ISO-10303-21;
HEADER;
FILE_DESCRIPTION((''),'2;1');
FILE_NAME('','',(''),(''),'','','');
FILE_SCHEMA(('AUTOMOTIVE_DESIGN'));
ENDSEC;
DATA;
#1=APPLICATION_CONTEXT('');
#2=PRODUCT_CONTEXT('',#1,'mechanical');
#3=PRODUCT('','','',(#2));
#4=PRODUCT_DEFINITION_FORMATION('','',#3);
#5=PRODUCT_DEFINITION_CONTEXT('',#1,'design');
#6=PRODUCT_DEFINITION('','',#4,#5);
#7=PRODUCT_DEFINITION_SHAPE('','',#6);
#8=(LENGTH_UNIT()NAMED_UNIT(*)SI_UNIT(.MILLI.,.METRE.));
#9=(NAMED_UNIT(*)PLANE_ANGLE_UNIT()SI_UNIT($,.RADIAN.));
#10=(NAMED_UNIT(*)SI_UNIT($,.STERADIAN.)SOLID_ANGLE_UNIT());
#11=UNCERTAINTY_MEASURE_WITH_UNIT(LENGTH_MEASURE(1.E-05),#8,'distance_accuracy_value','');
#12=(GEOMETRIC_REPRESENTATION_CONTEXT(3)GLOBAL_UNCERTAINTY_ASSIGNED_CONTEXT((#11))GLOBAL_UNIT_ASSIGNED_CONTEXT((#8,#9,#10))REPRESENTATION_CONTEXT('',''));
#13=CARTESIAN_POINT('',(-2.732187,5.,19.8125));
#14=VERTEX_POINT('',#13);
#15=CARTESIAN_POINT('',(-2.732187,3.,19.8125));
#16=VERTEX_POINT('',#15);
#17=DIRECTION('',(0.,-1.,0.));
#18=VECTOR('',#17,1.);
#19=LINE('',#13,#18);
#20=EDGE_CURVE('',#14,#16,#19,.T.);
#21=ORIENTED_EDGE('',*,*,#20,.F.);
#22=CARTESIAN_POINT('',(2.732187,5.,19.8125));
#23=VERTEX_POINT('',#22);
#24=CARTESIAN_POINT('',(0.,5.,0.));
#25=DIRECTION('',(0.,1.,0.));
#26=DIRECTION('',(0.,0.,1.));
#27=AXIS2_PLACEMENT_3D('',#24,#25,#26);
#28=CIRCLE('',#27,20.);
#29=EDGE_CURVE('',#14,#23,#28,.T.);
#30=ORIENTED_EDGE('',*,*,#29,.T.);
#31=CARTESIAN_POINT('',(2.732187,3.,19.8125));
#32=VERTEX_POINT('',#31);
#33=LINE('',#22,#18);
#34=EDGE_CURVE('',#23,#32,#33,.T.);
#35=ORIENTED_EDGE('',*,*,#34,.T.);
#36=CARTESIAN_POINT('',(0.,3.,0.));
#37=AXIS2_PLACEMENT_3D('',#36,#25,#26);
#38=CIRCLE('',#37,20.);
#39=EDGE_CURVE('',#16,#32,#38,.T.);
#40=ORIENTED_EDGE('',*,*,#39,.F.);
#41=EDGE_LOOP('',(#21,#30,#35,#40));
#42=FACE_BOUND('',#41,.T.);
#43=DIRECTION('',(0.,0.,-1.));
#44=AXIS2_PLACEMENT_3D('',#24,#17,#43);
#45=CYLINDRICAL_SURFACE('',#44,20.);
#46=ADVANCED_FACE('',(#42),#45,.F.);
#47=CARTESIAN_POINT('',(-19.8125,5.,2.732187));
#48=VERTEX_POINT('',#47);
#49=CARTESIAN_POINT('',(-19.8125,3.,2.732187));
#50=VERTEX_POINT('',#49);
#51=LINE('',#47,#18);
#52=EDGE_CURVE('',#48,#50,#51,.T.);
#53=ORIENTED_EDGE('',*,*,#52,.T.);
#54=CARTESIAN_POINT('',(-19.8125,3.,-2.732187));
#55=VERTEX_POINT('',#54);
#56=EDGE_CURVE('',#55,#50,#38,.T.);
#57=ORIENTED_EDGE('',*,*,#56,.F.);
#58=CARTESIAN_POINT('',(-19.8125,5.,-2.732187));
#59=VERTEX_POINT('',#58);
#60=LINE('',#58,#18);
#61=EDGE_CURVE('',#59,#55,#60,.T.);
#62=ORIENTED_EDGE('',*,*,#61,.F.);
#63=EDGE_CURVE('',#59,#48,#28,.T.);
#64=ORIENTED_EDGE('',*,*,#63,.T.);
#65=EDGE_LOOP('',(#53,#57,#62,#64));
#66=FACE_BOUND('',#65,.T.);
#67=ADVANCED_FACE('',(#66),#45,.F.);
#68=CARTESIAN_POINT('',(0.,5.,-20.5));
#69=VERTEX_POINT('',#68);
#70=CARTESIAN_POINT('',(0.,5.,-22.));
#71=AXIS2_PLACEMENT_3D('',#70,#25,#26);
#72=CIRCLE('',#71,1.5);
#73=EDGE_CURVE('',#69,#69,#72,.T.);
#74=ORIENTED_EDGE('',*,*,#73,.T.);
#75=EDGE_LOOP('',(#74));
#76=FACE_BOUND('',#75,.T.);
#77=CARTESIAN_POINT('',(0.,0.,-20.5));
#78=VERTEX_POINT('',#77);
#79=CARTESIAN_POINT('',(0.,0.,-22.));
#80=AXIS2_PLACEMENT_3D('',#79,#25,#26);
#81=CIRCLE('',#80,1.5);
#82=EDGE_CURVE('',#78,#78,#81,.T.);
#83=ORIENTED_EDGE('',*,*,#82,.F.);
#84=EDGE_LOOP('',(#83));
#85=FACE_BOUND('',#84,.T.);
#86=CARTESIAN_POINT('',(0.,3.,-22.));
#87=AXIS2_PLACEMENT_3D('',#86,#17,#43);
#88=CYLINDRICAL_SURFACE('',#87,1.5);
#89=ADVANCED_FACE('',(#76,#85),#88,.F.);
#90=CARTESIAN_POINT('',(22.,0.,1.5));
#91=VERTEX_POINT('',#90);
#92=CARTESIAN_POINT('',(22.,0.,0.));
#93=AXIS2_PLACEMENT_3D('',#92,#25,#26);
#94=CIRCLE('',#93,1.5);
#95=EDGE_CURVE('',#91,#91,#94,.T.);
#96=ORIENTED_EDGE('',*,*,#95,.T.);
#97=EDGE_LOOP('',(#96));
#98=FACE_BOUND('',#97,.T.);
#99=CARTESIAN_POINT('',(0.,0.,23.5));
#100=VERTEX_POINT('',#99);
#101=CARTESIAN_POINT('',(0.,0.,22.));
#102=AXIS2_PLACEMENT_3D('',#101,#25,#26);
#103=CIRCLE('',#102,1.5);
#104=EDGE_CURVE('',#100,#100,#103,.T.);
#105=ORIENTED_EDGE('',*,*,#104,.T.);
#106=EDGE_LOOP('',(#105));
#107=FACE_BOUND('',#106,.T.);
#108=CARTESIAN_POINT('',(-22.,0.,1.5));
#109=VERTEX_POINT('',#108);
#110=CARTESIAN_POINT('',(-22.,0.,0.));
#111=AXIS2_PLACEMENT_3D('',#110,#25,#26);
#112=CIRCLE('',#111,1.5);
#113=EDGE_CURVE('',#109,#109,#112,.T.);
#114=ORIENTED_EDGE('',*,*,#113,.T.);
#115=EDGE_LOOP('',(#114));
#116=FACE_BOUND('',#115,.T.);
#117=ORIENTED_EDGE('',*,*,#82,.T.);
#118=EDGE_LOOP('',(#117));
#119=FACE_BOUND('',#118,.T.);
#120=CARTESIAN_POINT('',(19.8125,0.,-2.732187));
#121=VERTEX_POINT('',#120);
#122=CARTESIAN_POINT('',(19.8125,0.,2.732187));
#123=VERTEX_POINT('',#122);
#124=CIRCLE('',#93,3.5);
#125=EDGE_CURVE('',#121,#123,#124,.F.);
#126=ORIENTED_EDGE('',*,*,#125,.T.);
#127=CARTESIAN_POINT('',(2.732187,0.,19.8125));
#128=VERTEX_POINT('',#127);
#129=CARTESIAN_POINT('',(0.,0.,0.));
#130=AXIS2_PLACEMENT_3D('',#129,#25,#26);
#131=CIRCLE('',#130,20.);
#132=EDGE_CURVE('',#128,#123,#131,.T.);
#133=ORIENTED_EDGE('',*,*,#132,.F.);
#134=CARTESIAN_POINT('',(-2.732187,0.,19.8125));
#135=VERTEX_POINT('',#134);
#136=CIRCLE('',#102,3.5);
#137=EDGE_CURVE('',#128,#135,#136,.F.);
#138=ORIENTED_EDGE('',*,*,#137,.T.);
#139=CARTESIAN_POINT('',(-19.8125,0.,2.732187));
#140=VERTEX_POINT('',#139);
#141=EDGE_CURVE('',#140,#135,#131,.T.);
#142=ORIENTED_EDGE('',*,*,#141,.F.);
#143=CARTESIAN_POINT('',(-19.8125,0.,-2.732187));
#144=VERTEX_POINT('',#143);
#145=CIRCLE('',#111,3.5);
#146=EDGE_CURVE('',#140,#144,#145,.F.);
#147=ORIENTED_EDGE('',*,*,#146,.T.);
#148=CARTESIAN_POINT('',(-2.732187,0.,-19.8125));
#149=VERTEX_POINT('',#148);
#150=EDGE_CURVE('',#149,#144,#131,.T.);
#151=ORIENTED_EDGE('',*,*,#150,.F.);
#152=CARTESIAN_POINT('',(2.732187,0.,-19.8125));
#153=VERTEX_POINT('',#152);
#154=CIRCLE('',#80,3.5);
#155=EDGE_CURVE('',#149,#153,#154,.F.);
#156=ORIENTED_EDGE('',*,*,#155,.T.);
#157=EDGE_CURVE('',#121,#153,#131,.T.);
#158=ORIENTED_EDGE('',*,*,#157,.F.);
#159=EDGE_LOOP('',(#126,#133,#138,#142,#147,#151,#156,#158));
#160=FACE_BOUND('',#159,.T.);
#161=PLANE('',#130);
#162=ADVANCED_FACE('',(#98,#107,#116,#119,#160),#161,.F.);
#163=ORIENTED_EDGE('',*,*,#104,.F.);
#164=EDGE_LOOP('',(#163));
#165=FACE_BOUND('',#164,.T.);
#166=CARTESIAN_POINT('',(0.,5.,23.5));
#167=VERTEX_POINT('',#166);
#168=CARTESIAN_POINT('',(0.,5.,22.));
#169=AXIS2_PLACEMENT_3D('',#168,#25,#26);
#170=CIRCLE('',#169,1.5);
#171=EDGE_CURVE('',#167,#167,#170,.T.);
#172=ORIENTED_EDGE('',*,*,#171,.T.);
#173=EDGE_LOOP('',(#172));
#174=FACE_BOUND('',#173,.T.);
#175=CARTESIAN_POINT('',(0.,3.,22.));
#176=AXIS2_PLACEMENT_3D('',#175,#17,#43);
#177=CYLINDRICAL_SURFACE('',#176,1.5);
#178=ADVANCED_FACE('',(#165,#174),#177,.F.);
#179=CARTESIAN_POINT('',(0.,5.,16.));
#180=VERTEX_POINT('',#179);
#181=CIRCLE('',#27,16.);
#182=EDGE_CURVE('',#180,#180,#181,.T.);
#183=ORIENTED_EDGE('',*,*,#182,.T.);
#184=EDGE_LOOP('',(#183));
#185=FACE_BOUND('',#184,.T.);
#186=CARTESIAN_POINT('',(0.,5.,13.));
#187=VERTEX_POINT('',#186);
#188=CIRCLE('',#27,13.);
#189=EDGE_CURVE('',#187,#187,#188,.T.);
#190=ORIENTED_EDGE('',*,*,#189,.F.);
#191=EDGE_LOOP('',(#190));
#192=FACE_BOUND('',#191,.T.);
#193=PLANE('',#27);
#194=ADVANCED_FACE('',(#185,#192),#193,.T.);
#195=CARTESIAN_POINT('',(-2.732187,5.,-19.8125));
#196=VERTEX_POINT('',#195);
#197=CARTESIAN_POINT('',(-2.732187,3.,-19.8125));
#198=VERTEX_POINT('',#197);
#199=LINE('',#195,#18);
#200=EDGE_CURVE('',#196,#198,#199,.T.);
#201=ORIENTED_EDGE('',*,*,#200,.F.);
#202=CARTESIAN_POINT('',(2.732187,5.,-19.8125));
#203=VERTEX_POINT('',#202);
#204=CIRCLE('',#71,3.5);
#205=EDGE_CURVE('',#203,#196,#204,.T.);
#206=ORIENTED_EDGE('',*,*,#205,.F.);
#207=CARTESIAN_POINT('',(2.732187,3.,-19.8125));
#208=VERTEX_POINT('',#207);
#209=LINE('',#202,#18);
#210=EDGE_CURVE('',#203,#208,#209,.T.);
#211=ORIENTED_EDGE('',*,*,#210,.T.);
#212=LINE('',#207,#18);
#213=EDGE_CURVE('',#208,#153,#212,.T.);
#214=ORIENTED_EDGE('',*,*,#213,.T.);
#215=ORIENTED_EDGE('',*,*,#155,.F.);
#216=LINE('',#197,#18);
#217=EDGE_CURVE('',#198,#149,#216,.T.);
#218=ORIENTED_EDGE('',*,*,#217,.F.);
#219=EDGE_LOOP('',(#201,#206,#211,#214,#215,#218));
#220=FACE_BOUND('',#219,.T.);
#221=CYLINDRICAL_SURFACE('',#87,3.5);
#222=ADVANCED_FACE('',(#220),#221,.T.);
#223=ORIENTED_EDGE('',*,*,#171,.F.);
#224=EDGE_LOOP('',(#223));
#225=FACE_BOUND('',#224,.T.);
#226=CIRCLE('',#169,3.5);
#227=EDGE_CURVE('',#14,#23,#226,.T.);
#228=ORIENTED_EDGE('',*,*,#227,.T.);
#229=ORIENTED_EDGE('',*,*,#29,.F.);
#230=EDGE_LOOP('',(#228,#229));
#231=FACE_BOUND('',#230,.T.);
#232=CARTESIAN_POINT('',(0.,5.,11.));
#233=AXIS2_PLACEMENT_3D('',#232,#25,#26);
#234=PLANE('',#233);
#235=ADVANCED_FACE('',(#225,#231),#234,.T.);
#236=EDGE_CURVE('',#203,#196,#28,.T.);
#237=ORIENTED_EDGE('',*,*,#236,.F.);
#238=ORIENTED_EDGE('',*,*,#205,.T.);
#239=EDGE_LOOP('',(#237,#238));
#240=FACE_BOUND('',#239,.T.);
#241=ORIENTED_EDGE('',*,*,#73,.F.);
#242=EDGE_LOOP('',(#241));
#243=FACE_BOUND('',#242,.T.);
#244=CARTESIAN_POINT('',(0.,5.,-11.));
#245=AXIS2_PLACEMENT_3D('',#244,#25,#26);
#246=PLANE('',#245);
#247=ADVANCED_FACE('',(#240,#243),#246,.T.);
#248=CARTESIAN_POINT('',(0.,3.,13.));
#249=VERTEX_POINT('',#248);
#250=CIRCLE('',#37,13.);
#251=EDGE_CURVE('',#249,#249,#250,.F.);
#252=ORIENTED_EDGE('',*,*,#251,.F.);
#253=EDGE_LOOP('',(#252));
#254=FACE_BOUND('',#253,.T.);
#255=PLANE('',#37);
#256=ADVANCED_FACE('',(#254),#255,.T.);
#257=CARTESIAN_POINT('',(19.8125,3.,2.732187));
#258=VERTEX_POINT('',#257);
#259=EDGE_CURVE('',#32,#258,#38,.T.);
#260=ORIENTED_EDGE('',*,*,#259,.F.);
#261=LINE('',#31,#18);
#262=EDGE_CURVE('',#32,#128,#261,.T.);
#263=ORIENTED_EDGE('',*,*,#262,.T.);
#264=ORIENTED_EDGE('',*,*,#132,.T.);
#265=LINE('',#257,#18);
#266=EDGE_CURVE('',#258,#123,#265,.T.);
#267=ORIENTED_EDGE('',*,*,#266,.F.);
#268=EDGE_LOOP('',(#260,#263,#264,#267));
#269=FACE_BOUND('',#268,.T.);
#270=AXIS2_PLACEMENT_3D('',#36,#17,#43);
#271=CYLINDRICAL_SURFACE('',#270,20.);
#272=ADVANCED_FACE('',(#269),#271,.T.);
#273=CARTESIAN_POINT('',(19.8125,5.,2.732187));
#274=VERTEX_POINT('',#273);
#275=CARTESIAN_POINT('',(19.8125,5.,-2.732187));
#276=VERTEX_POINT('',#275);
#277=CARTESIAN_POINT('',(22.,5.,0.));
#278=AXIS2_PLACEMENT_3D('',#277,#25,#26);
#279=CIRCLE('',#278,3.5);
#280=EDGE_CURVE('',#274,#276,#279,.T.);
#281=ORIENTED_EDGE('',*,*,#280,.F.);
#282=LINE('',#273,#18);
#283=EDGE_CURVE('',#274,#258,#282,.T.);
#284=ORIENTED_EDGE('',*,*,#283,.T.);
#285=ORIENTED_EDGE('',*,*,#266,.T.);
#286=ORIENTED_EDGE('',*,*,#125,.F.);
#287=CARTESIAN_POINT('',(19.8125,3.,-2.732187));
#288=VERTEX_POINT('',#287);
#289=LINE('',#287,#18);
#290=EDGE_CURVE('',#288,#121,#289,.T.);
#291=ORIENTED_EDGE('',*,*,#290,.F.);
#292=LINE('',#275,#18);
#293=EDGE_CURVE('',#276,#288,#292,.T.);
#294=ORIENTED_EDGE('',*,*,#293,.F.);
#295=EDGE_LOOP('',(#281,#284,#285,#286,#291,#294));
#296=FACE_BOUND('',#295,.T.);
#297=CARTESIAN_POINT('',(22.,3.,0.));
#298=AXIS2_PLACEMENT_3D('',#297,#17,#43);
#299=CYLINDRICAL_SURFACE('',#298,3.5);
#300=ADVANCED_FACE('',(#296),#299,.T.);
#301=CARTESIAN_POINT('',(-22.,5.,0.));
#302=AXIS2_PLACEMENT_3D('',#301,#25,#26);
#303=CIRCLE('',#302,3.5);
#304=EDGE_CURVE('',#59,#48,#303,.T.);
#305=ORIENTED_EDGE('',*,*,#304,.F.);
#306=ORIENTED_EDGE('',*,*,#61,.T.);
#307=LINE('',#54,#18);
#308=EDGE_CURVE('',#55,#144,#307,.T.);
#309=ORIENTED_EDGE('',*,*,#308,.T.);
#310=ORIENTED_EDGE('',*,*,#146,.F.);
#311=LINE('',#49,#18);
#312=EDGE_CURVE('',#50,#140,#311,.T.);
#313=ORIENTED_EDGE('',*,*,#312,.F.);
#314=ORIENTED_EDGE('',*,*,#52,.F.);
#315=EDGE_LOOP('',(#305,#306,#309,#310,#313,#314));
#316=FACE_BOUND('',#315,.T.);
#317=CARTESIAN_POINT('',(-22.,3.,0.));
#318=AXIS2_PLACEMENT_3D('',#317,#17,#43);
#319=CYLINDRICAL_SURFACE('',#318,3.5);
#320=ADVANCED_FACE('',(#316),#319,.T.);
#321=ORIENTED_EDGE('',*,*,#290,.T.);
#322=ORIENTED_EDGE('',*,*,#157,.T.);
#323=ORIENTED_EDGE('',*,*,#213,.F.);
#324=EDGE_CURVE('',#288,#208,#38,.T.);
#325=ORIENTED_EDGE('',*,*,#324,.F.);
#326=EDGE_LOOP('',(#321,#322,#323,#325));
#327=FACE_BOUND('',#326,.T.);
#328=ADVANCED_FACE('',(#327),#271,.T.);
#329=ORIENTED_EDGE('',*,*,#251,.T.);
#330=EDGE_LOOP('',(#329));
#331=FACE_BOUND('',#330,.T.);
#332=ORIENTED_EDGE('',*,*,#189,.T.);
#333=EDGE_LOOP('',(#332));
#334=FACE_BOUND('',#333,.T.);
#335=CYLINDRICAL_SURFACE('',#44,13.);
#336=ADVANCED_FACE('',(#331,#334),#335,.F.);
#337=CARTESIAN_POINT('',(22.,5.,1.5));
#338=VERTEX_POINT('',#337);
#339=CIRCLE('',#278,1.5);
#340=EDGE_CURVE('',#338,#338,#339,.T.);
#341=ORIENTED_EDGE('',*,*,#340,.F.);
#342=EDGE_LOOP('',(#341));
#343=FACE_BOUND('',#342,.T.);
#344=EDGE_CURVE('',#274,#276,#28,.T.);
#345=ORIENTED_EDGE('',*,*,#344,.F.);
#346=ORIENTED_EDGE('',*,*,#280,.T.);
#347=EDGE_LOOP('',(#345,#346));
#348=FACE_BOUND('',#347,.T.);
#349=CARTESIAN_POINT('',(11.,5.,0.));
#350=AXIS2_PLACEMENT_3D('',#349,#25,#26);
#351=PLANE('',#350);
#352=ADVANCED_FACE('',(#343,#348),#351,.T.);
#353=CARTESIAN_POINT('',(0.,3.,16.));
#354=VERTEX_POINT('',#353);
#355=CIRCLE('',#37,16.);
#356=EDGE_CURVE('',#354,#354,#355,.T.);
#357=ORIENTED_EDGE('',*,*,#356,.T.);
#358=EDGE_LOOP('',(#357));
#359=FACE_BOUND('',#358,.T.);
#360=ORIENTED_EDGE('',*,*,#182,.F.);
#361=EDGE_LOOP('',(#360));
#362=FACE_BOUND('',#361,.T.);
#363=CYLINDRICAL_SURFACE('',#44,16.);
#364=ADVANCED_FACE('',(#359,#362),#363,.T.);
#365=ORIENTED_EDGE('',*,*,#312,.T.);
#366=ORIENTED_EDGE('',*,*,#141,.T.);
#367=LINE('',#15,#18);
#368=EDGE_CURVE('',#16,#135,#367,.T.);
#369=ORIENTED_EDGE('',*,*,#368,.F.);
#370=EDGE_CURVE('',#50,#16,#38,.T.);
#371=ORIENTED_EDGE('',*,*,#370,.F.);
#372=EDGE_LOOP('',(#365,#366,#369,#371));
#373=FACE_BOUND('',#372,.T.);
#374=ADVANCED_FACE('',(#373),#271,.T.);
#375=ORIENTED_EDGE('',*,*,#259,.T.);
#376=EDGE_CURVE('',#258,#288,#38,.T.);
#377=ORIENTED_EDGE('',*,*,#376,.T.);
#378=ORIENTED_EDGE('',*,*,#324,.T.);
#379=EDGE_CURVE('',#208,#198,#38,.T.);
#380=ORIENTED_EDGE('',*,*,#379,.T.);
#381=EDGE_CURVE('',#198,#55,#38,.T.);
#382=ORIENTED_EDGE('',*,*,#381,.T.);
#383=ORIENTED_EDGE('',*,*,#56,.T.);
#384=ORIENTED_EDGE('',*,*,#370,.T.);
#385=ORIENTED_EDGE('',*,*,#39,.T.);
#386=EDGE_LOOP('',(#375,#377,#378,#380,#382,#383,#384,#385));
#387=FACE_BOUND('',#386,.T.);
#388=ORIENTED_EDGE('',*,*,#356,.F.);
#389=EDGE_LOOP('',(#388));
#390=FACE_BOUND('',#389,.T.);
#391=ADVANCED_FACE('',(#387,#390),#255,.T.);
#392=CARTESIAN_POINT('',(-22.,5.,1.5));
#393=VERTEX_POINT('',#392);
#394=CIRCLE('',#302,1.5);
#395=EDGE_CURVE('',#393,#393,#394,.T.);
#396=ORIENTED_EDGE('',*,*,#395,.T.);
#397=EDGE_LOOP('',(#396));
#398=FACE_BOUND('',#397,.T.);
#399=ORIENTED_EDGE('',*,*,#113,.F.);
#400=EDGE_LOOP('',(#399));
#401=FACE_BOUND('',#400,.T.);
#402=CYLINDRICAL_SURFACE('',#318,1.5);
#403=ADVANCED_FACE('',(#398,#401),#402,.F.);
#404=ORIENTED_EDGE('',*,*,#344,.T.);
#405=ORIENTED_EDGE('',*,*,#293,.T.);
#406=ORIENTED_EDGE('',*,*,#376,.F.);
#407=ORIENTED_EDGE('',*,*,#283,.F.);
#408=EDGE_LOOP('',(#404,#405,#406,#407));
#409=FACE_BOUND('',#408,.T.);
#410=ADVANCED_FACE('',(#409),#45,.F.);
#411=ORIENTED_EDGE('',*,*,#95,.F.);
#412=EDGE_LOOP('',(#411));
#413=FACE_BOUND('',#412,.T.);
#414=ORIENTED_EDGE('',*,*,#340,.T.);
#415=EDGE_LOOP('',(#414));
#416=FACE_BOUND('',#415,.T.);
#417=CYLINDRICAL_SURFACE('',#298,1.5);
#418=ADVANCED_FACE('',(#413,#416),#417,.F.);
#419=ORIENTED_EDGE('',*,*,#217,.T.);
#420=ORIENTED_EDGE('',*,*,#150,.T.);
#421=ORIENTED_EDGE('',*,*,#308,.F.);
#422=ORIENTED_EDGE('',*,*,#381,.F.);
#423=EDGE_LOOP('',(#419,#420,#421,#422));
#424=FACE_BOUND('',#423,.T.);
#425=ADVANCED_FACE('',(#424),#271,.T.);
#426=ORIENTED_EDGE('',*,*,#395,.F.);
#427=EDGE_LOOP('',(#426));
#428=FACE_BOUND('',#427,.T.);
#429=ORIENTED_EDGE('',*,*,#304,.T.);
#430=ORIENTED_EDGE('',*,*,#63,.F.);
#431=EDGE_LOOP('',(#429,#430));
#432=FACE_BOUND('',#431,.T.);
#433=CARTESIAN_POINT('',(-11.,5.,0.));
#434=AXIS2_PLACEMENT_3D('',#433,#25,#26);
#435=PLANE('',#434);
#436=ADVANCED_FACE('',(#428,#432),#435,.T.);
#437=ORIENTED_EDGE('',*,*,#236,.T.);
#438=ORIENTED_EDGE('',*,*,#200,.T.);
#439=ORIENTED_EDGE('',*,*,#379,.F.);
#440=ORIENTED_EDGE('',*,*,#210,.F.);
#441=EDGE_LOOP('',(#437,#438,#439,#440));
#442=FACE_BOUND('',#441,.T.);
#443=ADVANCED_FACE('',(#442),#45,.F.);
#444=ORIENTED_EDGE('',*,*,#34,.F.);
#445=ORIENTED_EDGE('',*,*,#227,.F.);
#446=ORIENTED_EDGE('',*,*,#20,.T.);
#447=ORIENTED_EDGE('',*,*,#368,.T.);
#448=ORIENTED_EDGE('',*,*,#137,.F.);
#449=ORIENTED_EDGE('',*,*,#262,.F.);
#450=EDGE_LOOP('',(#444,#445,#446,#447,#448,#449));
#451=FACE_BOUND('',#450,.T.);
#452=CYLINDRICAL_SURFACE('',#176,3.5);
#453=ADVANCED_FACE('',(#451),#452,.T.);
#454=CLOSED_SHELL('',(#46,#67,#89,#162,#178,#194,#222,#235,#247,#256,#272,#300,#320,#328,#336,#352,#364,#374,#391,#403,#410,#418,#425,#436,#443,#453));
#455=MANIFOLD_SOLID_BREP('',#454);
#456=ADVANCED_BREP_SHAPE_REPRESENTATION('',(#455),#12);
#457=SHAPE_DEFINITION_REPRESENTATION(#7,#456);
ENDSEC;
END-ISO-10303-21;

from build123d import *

# Parameters (mm, degrees)
SKETCH1_R           = 1.5
BOSS_EXTRUDE1_DEPTH = 3
BOSS_EXTRUDE2_START = 3
SKETCH1_4_R         = 1.5
SKETCH1_4_R_2       = 16
SKETCH1_4_R_3       = 13
BOSS_EXTRUDE2_DEPTH = 2


with BuildPart() as part:
    # Sketch1 → Boss-Extrude1 (new body)
    with BuildSketch(Plane(origin=(0, 0, 0), x_dir=(1, 0, 0), z_dir=(0, 1, 0))):
        with BuildLine():
            ThreePointArc((19.8125, 2.732186624), (14.142135624, 14.142135624), (2.732186624, 19.8125))
            ThreePointArc((2.732186624, 19.8125), (0, 25.5), (-2.732186624, 19.8125))
            ThreePointArc((-2.732186624, 19.8125), (-14.142135624, 14.142135624), (-19.8125, 2.732186624))
            ThreePointArc((-19.8125, 2.732186624), (-25.5, 0), (-19.8125, -2.732186624))
            ThreePointArc((-19.8125, -2.732186624), (-14.142135624, -14.142135624), (-2.732186624, -19.8125))
            ThreePointArc((-2.732186624, -19.8125), (0, -25.5), (2.732186624, -19.8125))
            ThreePointArc((2.732186624, -19.8125), (14.142135624, -14.142135624), (19.8125, -2.732186624))
            ThreePointArc((19.8125, -2.732186624), (25.5, 0), (19.8125, 2.732186624))
        make_face()
        with Locations((22, 0)):
            Circle(SKETCH1_R, mode=Mode.SUBTRACT)
        with Locations((0, 22)):
            Circle(SKETCH1_R, mode=Mode.SUBTRACT)
        with Locations((0, -22)):
            Circle(SKETCH1_R, mode=Mode.SUBTRACT)
        with Locations((-22, 0)):
            Circle(SKETCH1_R, mode=Mode.SUBTRACT)
    extrude(amount=BOSS_EXTRUDE1_DEPTH)

    # Sketch1_4 → Boss-Extrude2 (add)
    with BuildSketch(Plane(origin=(0, 0, 0), x_dir=(1, 0, 0), z_dir=(0, 1, 0)).offset(BOSS_EXTRUDE2_START)):
        with BuildLine():
            ThreePointArc((-2.732186624, -19.8125), (0, -25.5), (2.732186624, -19.8125))
            ThreePointArc((2.732186624, -19.8125), (0, -20), (-2.732186624, -19.8125))
        make_face()
        with Locations((0, -22)):
            Circle(SKETCH1_4_R, mode=Mode.SUBTRACT)
        with BuildLine():
            ThreePointArc((19.8125, 2.732186624), (19.953069939, 1.369306394), (20, 0))
            ThreePointArc((20, 0), (19.953069939, -1.369306394), (19.8125, -2.732186624))
            ThreePointArc((19.8125, -2.732186624), (25.5, 0), (19.8125, 2.732186624))
        make_face()
        with Locations((22, 0)):
            Circle(SKETCH1_4_R, mode=Mode.SUBTRACT)
        with BuildLine():
            ThreePointArc((-2.732186624, 19.8125), (0, 20), (2.732186624, 19.8125))
            ThreePointArc((2.732186624, 19.8125), (0, 25.5), (-2.732186624, 19.8125))
        make_face()
        with Locations((0, 22)):
            Circle(SKETCH1_4_R, mode=Mode.SUBTRACT)
        with BuildLine():
            ThreePointArc((-19.8125, -2.732186624), (-20, 0), (-19.8125, 2.732186624))
            ThreePointArc((-19.8125, 2.732186624), (-25.5, 0), (-19.8125, -2.732186624))
        make_face()
        with Locations((-22, 0)):
            Circle(SKETCH1_4_R, mode=Mode.SUBTRACT)
        Circle(SKETCH1_4_R_2)
        Circle(SKETCH1_4_R_3, mode=Mode.SUBTRACT)
    extrude(amount=BOSS_EXTRUDE2_DEPTH)


solid = part.part
